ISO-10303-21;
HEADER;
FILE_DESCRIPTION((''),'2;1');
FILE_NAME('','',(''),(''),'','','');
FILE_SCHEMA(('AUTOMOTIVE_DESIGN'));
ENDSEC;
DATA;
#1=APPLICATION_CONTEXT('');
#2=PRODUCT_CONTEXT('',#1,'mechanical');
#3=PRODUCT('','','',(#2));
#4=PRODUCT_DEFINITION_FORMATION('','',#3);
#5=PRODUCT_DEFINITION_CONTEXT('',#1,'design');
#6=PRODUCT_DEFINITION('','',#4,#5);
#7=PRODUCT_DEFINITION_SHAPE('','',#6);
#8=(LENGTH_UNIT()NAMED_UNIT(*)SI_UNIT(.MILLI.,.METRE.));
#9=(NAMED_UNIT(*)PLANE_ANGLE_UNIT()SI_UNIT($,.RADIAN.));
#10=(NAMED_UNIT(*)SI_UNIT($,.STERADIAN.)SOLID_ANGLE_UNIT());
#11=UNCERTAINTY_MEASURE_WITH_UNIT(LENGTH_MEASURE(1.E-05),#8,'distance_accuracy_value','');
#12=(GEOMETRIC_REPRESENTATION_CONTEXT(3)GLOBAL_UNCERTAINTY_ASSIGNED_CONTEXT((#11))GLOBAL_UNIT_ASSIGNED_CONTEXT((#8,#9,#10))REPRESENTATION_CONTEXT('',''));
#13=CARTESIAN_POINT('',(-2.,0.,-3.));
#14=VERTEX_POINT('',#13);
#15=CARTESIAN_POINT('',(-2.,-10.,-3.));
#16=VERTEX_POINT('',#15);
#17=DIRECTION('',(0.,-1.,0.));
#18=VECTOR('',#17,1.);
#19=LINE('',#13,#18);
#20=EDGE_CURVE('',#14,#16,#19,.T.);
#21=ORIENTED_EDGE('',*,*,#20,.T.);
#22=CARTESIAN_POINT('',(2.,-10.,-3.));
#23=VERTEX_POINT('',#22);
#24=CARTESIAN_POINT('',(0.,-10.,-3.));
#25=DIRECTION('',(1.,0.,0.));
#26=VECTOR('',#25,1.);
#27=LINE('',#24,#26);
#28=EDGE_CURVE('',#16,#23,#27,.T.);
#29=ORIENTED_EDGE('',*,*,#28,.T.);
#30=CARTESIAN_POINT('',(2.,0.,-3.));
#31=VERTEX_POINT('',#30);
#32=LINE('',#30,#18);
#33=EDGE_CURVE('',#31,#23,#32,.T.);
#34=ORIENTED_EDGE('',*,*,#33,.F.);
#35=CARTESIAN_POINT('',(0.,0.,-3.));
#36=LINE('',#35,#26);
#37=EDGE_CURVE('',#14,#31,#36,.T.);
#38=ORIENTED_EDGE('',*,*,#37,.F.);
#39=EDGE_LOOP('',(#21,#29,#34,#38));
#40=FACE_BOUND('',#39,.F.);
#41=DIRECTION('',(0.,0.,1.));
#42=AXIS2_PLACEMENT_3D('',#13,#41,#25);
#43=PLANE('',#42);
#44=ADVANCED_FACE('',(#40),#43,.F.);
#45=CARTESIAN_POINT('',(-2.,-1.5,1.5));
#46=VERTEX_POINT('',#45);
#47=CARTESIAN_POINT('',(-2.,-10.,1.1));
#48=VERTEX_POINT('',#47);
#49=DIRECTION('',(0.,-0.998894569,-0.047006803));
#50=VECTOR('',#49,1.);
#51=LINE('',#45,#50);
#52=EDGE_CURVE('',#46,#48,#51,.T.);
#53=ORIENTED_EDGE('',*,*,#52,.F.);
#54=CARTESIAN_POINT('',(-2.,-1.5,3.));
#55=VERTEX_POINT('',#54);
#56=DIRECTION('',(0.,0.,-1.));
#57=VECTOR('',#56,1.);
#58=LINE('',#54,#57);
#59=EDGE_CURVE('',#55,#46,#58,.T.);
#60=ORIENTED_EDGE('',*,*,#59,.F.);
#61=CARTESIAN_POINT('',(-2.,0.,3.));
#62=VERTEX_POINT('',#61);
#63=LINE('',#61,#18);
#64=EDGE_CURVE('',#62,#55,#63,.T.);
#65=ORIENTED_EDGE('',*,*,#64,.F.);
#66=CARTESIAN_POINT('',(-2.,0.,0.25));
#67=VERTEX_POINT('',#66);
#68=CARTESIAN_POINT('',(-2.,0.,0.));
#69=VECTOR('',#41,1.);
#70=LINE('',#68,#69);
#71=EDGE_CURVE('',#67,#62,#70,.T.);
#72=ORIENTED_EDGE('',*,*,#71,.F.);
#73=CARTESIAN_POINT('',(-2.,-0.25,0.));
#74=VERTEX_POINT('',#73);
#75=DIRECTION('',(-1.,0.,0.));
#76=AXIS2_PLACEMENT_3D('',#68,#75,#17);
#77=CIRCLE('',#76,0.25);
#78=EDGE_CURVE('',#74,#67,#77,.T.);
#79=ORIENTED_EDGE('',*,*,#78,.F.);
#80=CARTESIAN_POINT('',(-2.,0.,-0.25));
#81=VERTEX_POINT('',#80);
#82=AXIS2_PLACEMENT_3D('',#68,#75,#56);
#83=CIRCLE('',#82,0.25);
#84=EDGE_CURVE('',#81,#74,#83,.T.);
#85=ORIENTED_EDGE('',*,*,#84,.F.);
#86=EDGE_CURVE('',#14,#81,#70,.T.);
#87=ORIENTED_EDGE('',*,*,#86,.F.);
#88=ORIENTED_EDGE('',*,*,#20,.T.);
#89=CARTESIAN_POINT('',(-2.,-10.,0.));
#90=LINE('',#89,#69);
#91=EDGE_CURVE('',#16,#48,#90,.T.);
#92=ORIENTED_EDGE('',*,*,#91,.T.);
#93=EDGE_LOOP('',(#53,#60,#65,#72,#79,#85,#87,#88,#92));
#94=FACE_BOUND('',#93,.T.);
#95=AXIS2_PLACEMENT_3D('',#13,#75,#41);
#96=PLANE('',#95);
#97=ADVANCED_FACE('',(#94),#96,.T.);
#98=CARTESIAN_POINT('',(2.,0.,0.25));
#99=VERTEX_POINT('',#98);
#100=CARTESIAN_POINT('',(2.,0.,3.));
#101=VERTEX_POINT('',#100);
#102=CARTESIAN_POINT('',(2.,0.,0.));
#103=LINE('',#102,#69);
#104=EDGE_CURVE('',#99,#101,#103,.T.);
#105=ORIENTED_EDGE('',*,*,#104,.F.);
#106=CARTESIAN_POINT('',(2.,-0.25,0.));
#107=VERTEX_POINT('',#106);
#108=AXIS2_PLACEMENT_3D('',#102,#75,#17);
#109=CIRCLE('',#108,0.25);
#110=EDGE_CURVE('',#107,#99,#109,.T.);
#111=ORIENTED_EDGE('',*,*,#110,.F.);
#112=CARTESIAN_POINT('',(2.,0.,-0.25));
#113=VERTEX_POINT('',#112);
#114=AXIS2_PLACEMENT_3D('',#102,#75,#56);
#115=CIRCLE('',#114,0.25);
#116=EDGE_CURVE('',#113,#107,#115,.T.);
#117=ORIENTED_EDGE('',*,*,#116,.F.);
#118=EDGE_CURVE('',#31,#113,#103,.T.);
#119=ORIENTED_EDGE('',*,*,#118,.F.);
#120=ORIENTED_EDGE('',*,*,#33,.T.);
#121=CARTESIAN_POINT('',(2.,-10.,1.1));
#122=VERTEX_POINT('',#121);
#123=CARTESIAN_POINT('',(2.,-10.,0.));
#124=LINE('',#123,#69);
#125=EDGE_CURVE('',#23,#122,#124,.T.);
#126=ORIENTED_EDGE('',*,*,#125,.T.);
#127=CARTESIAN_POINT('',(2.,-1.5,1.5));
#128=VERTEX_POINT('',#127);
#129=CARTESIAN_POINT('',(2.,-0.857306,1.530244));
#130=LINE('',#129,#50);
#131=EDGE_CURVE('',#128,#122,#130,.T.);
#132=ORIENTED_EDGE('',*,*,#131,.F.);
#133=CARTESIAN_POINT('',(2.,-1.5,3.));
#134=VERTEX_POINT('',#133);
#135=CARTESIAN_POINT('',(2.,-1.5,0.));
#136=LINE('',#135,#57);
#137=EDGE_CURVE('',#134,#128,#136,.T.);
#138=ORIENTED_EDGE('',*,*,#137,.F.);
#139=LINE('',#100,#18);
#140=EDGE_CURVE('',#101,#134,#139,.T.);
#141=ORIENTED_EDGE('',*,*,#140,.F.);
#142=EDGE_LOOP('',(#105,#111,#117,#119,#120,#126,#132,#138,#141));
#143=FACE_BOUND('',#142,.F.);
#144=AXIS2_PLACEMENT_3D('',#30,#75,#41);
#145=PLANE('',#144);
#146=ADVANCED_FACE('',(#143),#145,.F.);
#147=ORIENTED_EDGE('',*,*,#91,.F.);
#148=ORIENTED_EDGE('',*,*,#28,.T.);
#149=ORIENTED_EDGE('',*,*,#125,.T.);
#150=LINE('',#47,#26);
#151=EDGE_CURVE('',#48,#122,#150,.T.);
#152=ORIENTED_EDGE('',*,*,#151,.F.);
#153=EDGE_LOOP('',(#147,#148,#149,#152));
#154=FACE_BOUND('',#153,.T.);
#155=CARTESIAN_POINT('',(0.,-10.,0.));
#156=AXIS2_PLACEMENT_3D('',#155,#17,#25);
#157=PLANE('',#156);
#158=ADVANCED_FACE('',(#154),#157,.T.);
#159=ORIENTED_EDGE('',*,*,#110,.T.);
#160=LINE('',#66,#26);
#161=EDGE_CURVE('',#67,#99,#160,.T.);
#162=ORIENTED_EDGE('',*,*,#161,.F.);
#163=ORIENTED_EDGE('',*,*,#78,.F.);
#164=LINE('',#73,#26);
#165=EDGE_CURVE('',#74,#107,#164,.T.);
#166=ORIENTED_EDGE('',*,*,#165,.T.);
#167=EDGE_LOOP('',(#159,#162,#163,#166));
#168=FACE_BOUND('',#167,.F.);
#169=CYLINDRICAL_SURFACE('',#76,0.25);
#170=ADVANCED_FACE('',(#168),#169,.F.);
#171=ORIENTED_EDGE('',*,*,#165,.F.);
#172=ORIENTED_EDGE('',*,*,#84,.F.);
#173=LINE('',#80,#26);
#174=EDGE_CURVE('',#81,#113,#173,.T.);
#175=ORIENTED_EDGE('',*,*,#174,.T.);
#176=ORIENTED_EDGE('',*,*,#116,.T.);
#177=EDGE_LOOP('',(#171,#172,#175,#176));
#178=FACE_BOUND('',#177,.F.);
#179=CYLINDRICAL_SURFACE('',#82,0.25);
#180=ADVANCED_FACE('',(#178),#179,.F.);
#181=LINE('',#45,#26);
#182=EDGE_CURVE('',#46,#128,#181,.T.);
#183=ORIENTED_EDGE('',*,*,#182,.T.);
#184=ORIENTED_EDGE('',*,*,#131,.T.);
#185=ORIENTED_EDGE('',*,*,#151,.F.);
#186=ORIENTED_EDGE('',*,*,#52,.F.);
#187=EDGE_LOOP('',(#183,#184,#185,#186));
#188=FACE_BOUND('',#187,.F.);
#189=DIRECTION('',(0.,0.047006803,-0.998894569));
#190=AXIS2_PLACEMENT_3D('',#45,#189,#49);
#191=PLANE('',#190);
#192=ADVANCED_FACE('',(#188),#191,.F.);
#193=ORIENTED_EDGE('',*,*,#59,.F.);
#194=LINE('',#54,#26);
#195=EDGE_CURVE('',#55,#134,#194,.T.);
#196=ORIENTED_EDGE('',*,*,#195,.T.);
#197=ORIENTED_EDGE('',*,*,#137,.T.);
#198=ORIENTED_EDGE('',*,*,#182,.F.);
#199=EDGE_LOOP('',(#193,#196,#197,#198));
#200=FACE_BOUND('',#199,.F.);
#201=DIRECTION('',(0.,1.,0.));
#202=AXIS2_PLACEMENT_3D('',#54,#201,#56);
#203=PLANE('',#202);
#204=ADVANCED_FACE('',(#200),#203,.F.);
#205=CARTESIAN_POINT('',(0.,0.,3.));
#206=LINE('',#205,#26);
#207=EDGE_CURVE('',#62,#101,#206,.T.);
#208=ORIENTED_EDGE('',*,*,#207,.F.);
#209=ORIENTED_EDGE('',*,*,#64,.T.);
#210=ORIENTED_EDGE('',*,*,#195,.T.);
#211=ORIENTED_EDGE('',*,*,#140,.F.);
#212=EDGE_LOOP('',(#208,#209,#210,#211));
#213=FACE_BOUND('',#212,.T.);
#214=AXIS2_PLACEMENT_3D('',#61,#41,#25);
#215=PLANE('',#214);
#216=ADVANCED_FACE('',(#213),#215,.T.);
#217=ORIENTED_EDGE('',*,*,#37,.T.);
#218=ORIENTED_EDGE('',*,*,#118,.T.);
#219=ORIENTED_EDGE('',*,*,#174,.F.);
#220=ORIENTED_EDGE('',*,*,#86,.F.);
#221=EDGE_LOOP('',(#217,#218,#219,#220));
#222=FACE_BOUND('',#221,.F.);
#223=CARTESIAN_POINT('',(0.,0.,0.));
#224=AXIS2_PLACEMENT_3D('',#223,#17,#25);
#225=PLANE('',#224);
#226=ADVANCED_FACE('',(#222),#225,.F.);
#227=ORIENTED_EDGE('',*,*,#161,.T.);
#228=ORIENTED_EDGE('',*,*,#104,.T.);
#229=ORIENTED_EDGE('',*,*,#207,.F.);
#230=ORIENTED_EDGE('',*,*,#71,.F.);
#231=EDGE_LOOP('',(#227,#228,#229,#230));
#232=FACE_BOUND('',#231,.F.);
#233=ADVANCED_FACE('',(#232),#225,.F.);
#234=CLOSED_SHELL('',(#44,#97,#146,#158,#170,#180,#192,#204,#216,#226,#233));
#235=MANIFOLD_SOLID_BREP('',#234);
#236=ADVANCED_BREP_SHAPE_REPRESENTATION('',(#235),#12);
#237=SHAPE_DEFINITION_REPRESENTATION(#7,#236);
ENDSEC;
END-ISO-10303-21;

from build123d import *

# Parameters (mm, degrees)
F0_W     = 4
F0_H     = 6
F1_DEPTH = 10
F4_DEPTH = 25


with BuildPart() as f1:
    # F0 (on Front) → F1 (new body)
    with BuildSketch(Plane.XZ):
        Rectangle(F0_W, F0_H)
    extrude(amount=F1_DEPTH)

    # F3 (on face) → F4 (cut)
    with BuildSketch(Plane(origin=(-2, 0, 0), x_dir=(0, -1, 0), z_dir=(-1, 0, 0))):
        Polygon((1.5, 3), (1.5, 1.5), (10, 1.1), (10, 3), align=None)
        with BuildLine():
            ThreePointArc((0.25, 0), (0.1767766953, 0.1767766953), (0, 0.25))
            Line((0, 0.25), (0, -0.25))
            ThreePointArc((0, -0.25), (0.1767766953, -0.1767766953), (0.25, 0))
        make_face()
    extrude(amount=-F4_DEPTH, mode=Mode.SUBTRACT)


solid = f1.part
